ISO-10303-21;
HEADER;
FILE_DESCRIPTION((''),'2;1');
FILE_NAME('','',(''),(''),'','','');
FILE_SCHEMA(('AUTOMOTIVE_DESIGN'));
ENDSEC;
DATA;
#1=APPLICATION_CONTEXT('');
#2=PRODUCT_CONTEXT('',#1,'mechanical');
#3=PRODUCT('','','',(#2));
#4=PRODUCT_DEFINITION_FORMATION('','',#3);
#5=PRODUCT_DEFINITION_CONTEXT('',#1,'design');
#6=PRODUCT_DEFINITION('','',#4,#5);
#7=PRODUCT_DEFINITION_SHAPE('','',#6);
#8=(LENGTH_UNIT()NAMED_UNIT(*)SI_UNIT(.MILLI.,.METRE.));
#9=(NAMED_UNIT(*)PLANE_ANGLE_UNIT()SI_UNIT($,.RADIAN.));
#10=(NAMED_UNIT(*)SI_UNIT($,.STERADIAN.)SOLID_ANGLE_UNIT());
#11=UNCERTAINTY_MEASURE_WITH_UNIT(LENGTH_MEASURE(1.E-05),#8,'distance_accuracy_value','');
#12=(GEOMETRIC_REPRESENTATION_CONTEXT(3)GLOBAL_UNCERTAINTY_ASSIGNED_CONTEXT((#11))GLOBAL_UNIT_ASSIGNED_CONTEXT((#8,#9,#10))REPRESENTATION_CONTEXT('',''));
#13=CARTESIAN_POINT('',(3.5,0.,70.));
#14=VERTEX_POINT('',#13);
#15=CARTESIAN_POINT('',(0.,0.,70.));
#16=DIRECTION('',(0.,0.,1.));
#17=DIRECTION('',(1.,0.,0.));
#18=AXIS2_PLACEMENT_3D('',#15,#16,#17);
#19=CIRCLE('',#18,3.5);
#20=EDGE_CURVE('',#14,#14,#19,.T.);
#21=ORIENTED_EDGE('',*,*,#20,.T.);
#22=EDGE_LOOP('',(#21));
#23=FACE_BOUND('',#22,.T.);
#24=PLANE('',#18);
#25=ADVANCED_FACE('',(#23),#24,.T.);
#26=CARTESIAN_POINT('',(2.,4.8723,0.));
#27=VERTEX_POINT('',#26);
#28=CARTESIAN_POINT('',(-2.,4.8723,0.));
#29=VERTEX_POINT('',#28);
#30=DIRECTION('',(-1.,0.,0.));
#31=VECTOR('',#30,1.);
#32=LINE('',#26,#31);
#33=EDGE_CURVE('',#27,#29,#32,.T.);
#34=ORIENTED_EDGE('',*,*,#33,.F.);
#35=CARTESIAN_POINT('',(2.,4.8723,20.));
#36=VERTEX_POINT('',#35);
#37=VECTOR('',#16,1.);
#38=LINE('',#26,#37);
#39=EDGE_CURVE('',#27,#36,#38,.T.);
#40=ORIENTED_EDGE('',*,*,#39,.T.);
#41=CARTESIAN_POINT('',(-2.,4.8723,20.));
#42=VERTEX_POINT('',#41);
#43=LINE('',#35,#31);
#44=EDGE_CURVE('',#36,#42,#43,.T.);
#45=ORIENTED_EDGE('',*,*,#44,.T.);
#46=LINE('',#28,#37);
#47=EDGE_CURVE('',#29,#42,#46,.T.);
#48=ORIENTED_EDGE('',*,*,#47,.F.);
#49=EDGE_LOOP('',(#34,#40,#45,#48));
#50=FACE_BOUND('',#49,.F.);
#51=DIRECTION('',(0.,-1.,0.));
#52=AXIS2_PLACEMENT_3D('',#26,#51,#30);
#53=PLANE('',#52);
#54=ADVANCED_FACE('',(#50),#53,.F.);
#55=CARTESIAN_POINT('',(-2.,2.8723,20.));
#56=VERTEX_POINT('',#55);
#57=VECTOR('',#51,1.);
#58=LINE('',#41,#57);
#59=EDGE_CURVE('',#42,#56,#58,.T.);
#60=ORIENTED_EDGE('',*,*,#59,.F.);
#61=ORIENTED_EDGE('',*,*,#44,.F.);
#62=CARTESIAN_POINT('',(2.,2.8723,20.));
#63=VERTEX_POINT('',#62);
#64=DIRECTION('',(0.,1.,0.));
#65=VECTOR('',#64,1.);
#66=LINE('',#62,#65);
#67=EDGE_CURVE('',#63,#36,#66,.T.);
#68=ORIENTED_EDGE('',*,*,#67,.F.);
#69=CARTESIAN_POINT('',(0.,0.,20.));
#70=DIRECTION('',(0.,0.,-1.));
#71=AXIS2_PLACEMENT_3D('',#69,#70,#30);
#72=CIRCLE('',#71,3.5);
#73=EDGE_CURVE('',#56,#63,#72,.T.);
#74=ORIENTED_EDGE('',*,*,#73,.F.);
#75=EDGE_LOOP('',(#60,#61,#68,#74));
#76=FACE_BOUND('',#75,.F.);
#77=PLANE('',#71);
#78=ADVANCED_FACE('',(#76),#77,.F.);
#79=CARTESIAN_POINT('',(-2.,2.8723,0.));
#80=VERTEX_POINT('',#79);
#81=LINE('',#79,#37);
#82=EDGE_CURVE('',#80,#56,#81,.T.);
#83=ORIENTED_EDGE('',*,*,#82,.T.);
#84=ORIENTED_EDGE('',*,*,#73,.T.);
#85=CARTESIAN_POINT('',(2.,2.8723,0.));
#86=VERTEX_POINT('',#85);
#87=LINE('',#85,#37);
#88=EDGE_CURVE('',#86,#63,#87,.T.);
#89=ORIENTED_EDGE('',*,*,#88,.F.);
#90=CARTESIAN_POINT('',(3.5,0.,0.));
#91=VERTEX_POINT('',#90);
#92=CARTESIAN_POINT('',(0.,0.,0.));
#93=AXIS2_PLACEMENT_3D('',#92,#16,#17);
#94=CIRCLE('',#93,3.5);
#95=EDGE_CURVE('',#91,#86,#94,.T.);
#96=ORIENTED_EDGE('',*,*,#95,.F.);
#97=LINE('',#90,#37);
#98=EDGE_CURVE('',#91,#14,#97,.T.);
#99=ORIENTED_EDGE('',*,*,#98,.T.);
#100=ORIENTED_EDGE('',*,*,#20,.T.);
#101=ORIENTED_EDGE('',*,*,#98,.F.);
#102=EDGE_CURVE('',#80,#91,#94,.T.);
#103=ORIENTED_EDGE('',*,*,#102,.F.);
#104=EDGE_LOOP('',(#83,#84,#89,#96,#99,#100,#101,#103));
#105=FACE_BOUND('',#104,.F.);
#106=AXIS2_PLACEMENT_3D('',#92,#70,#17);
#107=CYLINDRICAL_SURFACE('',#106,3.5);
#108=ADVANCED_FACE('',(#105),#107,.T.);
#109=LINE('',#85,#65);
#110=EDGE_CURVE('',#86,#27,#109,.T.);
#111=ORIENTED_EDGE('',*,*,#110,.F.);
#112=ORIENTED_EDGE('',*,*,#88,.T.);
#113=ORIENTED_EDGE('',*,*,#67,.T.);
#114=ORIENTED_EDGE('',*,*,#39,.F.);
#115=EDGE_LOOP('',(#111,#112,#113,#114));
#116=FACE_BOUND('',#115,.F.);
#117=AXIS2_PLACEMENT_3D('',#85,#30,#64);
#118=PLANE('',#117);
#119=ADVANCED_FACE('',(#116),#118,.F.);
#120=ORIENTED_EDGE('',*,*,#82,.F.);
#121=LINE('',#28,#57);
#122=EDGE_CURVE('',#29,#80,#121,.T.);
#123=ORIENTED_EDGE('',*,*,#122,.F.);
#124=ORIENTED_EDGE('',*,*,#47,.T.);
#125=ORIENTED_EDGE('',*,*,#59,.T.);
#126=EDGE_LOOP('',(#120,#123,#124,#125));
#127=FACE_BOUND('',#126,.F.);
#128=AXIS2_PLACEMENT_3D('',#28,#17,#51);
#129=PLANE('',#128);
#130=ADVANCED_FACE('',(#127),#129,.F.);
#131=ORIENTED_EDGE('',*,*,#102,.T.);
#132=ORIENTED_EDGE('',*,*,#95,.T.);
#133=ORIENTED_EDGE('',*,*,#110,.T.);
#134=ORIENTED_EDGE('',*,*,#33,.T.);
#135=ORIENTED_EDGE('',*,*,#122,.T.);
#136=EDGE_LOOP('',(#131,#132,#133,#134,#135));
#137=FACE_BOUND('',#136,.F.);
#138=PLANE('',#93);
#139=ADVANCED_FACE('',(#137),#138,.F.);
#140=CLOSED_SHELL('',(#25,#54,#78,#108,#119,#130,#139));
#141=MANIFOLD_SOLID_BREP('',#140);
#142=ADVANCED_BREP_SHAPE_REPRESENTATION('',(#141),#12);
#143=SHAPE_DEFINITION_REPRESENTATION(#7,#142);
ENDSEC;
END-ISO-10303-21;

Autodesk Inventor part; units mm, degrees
ref_plane "YZ Plane" through (0, 0, 0) normal (1, 0, 0) x (0, 1, 0)
ref_plane "XZ Plane" through (0, 0, 0) normal (0, 1, 0) x (-1, 0, 0)
ref_plane "XY Plane" through (0, 0, 0) normal (0, 0, 1) x (1, 0, 0)
sketch "Sketch1" plane through (0, 0, 0) normal (0, 0, 1) x (1, 0, 0)
  circle A0 centre (0, 0) radius 3.5
  dimension "d0" = 7
extrude "Extrusion1" add sketch "Sketch1" along normal blind 70
sketch "Sketch2" plane through (0, 0, 0) normal (0, 0, -1) x (-1, 0, 0)
  circle A0 centre (0, 0) radius 3.5 projected
  line L0 (-2, 2.8723) -> (-2, 4.8723)
  line L1 (-2, 4.8723) -> (2, 4.8723)
  line L2 (2, 4.8723) -> (2, 2.8723)
  arc A1 (2, 2.8723) -> (-2, 2.8723) centre (0, 0) ccw
  point P0 (0, 4.8723)
  dimension "d3" = 4
  dimension "d4" = 2
extrude "Extrusion2" add sketch "Sketch2" against normal blind 20 contours A0 L0 L1 L2
properties part number "shaft1"
